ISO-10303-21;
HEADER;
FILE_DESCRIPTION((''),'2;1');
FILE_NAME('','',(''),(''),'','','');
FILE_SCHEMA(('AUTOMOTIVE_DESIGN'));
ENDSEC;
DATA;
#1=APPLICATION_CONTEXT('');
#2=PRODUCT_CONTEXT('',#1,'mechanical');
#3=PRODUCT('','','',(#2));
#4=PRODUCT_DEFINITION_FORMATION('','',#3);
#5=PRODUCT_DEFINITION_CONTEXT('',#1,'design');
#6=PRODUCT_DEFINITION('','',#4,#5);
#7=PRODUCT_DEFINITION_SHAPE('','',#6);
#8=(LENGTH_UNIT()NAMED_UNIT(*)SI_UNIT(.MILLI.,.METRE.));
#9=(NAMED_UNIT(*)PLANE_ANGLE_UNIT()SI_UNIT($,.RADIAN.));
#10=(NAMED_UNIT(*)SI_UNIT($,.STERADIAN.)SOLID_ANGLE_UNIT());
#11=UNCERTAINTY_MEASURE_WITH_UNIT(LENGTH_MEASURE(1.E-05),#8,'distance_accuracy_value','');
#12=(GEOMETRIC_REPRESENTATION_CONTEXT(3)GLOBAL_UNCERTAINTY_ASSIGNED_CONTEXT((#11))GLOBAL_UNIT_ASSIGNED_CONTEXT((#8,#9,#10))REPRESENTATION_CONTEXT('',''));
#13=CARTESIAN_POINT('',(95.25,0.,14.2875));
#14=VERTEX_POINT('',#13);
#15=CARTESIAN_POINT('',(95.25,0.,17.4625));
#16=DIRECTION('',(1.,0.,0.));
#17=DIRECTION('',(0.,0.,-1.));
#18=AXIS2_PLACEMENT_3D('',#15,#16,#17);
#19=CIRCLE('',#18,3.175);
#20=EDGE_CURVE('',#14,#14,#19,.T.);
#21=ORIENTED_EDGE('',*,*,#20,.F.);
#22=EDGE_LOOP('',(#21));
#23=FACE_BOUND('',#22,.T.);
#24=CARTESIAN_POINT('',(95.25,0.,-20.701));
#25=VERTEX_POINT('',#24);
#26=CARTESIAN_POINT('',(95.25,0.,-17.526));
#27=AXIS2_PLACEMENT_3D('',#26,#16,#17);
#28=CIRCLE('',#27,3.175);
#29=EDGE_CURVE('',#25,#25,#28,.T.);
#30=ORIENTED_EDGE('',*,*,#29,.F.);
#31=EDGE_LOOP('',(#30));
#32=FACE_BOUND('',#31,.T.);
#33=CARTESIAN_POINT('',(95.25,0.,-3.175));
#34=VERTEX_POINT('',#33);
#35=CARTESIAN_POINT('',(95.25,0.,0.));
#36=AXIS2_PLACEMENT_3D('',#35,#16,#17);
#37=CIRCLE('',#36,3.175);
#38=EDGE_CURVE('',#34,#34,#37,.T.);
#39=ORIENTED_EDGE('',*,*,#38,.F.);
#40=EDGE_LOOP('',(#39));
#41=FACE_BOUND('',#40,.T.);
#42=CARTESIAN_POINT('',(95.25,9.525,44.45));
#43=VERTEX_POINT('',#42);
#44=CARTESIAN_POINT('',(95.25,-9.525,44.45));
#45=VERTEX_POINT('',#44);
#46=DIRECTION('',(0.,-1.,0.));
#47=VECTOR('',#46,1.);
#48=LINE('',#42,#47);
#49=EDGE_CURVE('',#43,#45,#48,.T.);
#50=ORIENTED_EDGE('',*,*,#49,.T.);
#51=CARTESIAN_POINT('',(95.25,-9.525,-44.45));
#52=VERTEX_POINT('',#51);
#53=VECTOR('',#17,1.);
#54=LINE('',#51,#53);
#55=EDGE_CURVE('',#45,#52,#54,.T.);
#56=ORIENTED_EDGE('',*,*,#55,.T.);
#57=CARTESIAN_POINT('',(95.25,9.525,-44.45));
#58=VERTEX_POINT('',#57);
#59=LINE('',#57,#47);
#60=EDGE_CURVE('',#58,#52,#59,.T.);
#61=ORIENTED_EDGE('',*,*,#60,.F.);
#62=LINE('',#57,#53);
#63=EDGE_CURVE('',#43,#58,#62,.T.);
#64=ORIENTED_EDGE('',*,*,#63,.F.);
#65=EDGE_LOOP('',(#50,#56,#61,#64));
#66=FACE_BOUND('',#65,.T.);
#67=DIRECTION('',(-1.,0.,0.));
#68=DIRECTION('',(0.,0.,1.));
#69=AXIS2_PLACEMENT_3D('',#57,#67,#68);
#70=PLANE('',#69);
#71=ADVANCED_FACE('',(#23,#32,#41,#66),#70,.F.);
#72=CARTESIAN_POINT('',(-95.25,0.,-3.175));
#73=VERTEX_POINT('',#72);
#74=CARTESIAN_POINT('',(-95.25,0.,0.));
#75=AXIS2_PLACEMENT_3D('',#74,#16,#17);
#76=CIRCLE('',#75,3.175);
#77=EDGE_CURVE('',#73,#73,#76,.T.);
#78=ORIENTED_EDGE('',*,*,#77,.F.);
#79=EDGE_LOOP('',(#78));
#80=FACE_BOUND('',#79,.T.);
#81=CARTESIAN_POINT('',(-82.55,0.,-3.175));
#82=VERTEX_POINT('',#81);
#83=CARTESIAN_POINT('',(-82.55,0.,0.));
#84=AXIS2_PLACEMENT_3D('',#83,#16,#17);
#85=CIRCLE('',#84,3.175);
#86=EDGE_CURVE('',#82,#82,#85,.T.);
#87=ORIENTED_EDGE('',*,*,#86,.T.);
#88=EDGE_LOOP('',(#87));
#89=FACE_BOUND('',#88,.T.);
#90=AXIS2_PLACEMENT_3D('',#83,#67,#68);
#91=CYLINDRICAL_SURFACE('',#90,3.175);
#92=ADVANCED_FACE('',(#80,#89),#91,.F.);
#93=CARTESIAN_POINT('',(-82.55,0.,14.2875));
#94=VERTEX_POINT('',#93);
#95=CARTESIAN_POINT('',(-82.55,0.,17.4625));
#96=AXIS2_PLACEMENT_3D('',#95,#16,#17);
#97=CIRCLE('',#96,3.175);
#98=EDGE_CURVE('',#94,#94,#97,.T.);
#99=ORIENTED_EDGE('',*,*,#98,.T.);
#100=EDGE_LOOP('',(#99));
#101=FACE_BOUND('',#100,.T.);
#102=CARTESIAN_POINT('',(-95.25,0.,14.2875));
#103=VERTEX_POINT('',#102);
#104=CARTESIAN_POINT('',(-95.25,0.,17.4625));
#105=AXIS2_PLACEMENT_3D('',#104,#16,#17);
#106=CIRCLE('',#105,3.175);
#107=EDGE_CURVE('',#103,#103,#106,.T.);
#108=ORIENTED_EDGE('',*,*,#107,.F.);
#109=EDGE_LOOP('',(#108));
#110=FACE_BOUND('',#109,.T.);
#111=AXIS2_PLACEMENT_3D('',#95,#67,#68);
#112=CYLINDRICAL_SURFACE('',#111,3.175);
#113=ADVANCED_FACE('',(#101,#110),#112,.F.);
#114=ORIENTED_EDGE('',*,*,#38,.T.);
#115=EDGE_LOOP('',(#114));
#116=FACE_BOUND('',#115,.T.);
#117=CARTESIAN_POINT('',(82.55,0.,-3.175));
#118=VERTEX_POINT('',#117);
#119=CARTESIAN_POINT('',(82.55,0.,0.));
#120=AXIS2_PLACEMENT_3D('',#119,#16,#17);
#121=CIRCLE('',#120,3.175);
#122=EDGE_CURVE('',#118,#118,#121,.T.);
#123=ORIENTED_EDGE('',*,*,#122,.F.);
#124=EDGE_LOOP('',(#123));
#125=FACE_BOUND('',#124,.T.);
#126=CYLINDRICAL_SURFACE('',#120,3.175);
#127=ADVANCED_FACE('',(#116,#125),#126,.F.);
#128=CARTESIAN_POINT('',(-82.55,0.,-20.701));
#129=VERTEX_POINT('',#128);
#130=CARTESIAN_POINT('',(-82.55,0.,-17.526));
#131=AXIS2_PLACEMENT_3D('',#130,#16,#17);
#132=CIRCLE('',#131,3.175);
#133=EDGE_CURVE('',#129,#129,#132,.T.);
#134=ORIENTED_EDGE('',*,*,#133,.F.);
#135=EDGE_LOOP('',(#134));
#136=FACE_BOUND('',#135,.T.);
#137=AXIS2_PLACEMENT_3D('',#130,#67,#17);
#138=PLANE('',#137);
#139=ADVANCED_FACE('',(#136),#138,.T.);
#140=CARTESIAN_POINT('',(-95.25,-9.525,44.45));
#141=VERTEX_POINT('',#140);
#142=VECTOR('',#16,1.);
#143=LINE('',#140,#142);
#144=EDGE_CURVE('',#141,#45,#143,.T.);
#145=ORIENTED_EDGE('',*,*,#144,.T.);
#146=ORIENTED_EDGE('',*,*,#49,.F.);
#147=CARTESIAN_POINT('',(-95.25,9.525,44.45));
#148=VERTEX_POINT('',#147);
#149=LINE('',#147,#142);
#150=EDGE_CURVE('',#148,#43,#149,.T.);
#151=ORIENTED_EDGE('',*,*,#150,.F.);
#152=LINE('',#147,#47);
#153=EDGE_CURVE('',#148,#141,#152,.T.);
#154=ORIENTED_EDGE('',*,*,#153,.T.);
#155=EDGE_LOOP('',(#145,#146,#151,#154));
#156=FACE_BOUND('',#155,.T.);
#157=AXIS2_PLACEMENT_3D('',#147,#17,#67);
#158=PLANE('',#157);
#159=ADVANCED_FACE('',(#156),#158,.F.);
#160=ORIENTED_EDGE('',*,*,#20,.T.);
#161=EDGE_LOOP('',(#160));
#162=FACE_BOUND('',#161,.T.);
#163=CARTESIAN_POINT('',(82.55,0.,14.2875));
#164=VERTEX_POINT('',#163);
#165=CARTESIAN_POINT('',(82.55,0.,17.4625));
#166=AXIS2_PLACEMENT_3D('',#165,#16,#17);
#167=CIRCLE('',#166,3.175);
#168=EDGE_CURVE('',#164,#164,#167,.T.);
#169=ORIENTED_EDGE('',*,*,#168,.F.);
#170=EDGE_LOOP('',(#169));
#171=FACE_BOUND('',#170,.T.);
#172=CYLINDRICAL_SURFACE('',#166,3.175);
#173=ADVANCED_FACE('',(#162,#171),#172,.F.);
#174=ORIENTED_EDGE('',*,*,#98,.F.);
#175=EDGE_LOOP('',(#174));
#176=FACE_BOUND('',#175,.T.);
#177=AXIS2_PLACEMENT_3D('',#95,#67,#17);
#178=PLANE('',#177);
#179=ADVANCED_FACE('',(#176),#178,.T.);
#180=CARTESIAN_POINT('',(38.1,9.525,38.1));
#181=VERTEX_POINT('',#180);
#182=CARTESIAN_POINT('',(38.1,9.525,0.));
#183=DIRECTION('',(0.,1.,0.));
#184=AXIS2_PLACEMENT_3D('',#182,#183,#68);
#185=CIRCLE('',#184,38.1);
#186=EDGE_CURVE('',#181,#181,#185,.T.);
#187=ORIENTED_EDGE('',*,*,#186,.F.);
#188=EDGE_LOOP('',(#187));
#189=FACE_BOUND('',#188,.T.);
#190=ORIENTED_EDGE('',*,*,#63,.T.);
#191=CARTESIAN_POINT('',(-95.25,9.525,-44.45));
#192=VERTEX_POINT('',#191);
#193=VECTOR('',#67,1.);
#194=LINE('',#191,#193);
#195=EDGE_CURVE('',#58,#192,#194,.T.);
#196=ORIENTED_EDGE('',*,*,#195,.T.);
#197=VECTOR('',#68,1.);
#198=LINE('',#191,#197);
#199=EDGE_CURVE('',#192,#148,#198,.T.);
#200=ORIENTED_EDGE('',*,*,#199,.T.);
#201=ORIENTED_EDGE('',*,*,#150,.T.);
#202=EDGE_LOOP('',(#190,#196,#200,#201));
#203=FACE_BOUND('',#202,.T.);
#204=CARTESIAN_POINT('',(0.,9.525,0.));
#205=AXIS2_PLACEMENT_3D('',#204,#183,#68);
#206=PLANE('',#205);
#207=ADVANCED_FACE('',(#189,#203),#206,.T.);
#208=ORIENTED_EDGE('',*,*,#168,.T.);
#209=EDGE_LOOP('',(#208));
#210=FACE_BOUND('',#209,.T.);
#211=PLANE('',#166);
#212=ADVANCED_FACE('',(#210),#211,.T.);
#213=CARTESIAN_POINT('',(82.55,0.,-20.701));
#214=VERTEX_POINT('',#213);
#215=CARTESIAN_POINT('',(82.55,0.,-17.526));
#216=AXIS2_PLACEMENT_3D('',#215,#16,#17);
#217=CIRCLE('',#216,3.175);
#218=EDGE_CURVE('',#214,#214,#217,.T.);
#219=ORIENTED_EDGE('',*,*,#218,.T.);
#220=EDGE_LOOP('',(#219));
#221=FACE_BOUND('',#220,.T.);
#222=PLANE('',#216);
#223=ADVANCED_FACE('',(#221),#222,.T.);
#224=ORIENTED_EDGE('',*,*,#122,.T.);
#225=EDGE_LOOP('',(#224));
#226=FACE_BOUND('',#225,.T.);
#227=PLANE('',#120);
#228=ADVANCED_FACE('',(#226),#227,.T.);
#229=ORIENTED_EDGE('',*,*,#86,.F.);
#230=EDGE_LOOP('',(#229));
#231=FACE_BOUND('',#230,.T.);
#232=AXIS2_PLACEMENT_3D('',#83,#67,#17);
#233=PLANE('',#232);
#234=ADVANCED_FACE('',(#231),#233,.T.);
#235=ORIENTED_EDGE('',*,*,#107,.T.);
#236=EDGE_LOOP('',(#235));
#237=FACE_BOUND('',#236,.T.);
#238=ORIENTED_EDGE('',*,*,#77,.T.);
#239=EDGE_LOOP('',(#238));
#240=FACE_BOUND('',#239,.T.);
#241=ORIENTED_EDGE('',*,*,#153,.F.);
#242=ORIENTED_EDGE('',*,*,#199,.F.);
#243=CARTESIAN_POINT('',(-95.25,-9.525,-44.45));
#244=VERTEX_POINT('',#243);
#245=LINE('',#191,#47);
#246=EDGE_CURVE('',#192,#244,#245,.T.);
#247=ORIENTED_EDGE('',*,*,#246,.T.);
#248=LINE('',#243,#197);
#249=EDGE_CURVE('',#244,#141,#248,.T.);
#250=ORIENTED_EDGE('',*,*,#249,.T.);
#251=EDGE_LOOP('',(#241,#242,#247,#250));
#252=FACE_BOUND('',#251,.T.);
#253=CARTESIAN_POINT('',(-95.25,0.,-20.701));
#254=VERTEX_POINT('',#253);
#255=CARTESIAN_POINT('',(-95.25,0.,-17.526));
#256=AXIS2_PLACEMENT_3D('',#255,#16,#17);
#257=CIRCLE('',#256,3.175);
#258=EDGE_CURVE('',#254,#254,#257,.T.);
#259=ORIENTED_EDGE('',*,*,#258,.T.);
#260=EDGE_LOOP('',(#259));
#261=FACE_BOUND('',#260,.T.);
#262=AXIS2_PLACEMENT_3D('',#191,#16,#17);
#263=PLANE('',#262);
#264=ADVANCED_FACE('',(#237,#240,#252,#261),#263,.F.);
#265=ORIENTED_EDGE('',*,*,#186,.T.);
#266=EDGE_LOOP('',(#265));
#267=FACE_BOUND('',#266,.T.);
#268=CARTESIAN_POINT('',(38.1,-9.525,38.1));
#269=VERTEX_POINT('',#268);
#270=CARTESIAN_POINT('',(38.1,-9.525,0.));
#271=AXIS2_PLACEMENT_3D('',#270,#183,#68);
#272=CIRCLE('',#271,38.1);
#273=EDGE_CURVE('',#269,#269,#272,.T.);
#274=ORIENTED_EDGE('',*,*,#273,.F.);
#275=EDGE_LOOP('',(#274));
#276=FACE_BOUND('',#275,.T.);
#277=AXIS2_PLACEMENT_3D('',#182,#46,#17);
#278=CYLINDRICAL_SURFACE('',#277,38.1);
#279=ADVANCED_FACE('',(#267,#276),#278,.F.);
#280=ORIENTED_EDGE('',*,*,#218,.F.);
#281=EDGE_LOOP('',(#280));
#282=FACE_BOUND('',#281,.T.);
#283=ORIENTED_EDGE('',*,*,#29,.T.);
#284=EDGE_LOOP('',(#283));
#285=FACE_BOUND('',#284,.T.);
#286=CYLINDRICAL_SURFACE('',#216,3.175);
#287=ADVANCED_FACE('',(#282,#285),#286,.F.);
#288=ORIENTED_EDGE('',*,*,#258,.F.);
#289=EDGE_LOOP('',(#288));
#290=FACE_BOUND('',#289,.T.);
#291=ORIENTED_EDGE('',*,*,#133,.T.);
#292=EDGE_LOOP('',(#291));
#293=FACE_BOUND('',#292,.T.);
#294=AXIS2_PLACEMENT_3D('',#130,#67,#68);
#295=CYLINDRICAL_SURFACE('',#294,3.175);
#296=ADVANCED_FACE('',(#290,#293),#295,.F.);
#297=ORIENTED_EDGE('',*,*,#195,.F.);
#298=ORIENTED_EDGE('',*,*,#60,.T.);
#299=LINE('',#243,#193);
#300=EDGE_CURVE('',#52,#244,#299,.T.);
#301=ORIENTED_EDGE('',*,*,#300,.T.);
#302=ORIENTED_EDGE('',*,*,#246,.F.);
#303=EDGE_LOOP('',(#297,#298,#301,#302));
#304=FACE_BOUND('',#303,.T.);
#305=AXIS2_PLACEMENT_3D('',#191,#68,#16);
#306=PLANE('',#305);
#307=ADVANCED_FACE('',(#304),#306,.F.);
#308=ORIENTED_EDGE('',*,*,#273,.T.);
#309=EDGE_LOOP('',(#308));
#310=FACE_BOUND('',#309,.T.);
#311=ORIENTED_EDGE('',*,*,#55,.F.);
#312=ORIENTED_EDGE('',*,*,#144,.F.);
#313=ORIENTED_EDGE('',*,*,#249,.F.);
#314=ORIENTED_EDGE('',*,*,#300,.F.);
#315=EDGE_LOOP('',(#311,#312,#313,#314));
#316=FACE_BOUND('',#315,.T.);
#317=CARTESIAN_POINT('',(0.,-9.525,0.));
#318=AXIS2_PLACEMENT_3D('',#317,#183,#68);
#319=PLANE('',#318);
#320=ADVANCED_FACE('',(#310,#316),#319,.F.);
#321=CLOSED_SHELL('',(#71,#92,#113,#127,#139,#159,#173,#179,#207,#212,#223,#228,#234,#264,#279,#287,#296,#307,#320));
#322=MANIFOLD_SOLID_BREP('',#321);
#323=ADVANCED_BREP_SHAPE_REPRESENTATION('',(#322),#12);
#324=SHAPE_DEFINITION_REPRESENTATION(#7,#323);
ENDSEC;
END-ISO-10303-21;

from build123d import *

# Parameters (mm, degrees)
SKETCH1_W           = 190.5
SKETCH1_H           = 88.9
SKETCH1_R           = 38.1
BOSS_EXTRUDE1_DEPTH = 9.525
SKETCH2_R           = 3.175
CUT_EXTRUDE1_DEPTH  = 12.7


with BuildPart() as part:
    # Sketch1 → Boss-Extrude1 (new body, symmetric)
    with BuildSketch(Plane(origin=(0, 0, 0), x_dir=(1, 0, 0), z_dir=(0, 1, 0))):
        Rectangle(SKETCH1_W, SKETCH1_H)
        with Locations((38.1, 0)):
            Circle(SKETCH1_R, mode=Mode.SUBTRACT)
    extrude(amount=BOSS_EXTRUDE1_DEPTH, both=True)

    # Sketch2 → Cut-Extrude1 (cut)
    with BuildSketch(Plane(origin=(95.25, 0, 0), x_dir=(0, 0, -1), z_dir=(1, 0, 0))):
        Circle(SKETCH2_R)
        with Locations((17.526, 0)):
            Circle(SKETCH2_R)
        with Locations((-17.4625, 0)):
            Circle(SKETCH2_R)
    cut_extrude1 = extrude(amount=-CUT_EXTRUDE1_DEPTH, mode=Mode.SUBTRACT)

    # Mirror1: Cut-Extrude1 across plane
    add(cut_extrude1.mirror(Plane(origin=(0, 0, 0), x_dir=(0, 0, 1), z_dir=(1, 0, 0))), mode=Mode.SUBTRACT)


solid = part.part
